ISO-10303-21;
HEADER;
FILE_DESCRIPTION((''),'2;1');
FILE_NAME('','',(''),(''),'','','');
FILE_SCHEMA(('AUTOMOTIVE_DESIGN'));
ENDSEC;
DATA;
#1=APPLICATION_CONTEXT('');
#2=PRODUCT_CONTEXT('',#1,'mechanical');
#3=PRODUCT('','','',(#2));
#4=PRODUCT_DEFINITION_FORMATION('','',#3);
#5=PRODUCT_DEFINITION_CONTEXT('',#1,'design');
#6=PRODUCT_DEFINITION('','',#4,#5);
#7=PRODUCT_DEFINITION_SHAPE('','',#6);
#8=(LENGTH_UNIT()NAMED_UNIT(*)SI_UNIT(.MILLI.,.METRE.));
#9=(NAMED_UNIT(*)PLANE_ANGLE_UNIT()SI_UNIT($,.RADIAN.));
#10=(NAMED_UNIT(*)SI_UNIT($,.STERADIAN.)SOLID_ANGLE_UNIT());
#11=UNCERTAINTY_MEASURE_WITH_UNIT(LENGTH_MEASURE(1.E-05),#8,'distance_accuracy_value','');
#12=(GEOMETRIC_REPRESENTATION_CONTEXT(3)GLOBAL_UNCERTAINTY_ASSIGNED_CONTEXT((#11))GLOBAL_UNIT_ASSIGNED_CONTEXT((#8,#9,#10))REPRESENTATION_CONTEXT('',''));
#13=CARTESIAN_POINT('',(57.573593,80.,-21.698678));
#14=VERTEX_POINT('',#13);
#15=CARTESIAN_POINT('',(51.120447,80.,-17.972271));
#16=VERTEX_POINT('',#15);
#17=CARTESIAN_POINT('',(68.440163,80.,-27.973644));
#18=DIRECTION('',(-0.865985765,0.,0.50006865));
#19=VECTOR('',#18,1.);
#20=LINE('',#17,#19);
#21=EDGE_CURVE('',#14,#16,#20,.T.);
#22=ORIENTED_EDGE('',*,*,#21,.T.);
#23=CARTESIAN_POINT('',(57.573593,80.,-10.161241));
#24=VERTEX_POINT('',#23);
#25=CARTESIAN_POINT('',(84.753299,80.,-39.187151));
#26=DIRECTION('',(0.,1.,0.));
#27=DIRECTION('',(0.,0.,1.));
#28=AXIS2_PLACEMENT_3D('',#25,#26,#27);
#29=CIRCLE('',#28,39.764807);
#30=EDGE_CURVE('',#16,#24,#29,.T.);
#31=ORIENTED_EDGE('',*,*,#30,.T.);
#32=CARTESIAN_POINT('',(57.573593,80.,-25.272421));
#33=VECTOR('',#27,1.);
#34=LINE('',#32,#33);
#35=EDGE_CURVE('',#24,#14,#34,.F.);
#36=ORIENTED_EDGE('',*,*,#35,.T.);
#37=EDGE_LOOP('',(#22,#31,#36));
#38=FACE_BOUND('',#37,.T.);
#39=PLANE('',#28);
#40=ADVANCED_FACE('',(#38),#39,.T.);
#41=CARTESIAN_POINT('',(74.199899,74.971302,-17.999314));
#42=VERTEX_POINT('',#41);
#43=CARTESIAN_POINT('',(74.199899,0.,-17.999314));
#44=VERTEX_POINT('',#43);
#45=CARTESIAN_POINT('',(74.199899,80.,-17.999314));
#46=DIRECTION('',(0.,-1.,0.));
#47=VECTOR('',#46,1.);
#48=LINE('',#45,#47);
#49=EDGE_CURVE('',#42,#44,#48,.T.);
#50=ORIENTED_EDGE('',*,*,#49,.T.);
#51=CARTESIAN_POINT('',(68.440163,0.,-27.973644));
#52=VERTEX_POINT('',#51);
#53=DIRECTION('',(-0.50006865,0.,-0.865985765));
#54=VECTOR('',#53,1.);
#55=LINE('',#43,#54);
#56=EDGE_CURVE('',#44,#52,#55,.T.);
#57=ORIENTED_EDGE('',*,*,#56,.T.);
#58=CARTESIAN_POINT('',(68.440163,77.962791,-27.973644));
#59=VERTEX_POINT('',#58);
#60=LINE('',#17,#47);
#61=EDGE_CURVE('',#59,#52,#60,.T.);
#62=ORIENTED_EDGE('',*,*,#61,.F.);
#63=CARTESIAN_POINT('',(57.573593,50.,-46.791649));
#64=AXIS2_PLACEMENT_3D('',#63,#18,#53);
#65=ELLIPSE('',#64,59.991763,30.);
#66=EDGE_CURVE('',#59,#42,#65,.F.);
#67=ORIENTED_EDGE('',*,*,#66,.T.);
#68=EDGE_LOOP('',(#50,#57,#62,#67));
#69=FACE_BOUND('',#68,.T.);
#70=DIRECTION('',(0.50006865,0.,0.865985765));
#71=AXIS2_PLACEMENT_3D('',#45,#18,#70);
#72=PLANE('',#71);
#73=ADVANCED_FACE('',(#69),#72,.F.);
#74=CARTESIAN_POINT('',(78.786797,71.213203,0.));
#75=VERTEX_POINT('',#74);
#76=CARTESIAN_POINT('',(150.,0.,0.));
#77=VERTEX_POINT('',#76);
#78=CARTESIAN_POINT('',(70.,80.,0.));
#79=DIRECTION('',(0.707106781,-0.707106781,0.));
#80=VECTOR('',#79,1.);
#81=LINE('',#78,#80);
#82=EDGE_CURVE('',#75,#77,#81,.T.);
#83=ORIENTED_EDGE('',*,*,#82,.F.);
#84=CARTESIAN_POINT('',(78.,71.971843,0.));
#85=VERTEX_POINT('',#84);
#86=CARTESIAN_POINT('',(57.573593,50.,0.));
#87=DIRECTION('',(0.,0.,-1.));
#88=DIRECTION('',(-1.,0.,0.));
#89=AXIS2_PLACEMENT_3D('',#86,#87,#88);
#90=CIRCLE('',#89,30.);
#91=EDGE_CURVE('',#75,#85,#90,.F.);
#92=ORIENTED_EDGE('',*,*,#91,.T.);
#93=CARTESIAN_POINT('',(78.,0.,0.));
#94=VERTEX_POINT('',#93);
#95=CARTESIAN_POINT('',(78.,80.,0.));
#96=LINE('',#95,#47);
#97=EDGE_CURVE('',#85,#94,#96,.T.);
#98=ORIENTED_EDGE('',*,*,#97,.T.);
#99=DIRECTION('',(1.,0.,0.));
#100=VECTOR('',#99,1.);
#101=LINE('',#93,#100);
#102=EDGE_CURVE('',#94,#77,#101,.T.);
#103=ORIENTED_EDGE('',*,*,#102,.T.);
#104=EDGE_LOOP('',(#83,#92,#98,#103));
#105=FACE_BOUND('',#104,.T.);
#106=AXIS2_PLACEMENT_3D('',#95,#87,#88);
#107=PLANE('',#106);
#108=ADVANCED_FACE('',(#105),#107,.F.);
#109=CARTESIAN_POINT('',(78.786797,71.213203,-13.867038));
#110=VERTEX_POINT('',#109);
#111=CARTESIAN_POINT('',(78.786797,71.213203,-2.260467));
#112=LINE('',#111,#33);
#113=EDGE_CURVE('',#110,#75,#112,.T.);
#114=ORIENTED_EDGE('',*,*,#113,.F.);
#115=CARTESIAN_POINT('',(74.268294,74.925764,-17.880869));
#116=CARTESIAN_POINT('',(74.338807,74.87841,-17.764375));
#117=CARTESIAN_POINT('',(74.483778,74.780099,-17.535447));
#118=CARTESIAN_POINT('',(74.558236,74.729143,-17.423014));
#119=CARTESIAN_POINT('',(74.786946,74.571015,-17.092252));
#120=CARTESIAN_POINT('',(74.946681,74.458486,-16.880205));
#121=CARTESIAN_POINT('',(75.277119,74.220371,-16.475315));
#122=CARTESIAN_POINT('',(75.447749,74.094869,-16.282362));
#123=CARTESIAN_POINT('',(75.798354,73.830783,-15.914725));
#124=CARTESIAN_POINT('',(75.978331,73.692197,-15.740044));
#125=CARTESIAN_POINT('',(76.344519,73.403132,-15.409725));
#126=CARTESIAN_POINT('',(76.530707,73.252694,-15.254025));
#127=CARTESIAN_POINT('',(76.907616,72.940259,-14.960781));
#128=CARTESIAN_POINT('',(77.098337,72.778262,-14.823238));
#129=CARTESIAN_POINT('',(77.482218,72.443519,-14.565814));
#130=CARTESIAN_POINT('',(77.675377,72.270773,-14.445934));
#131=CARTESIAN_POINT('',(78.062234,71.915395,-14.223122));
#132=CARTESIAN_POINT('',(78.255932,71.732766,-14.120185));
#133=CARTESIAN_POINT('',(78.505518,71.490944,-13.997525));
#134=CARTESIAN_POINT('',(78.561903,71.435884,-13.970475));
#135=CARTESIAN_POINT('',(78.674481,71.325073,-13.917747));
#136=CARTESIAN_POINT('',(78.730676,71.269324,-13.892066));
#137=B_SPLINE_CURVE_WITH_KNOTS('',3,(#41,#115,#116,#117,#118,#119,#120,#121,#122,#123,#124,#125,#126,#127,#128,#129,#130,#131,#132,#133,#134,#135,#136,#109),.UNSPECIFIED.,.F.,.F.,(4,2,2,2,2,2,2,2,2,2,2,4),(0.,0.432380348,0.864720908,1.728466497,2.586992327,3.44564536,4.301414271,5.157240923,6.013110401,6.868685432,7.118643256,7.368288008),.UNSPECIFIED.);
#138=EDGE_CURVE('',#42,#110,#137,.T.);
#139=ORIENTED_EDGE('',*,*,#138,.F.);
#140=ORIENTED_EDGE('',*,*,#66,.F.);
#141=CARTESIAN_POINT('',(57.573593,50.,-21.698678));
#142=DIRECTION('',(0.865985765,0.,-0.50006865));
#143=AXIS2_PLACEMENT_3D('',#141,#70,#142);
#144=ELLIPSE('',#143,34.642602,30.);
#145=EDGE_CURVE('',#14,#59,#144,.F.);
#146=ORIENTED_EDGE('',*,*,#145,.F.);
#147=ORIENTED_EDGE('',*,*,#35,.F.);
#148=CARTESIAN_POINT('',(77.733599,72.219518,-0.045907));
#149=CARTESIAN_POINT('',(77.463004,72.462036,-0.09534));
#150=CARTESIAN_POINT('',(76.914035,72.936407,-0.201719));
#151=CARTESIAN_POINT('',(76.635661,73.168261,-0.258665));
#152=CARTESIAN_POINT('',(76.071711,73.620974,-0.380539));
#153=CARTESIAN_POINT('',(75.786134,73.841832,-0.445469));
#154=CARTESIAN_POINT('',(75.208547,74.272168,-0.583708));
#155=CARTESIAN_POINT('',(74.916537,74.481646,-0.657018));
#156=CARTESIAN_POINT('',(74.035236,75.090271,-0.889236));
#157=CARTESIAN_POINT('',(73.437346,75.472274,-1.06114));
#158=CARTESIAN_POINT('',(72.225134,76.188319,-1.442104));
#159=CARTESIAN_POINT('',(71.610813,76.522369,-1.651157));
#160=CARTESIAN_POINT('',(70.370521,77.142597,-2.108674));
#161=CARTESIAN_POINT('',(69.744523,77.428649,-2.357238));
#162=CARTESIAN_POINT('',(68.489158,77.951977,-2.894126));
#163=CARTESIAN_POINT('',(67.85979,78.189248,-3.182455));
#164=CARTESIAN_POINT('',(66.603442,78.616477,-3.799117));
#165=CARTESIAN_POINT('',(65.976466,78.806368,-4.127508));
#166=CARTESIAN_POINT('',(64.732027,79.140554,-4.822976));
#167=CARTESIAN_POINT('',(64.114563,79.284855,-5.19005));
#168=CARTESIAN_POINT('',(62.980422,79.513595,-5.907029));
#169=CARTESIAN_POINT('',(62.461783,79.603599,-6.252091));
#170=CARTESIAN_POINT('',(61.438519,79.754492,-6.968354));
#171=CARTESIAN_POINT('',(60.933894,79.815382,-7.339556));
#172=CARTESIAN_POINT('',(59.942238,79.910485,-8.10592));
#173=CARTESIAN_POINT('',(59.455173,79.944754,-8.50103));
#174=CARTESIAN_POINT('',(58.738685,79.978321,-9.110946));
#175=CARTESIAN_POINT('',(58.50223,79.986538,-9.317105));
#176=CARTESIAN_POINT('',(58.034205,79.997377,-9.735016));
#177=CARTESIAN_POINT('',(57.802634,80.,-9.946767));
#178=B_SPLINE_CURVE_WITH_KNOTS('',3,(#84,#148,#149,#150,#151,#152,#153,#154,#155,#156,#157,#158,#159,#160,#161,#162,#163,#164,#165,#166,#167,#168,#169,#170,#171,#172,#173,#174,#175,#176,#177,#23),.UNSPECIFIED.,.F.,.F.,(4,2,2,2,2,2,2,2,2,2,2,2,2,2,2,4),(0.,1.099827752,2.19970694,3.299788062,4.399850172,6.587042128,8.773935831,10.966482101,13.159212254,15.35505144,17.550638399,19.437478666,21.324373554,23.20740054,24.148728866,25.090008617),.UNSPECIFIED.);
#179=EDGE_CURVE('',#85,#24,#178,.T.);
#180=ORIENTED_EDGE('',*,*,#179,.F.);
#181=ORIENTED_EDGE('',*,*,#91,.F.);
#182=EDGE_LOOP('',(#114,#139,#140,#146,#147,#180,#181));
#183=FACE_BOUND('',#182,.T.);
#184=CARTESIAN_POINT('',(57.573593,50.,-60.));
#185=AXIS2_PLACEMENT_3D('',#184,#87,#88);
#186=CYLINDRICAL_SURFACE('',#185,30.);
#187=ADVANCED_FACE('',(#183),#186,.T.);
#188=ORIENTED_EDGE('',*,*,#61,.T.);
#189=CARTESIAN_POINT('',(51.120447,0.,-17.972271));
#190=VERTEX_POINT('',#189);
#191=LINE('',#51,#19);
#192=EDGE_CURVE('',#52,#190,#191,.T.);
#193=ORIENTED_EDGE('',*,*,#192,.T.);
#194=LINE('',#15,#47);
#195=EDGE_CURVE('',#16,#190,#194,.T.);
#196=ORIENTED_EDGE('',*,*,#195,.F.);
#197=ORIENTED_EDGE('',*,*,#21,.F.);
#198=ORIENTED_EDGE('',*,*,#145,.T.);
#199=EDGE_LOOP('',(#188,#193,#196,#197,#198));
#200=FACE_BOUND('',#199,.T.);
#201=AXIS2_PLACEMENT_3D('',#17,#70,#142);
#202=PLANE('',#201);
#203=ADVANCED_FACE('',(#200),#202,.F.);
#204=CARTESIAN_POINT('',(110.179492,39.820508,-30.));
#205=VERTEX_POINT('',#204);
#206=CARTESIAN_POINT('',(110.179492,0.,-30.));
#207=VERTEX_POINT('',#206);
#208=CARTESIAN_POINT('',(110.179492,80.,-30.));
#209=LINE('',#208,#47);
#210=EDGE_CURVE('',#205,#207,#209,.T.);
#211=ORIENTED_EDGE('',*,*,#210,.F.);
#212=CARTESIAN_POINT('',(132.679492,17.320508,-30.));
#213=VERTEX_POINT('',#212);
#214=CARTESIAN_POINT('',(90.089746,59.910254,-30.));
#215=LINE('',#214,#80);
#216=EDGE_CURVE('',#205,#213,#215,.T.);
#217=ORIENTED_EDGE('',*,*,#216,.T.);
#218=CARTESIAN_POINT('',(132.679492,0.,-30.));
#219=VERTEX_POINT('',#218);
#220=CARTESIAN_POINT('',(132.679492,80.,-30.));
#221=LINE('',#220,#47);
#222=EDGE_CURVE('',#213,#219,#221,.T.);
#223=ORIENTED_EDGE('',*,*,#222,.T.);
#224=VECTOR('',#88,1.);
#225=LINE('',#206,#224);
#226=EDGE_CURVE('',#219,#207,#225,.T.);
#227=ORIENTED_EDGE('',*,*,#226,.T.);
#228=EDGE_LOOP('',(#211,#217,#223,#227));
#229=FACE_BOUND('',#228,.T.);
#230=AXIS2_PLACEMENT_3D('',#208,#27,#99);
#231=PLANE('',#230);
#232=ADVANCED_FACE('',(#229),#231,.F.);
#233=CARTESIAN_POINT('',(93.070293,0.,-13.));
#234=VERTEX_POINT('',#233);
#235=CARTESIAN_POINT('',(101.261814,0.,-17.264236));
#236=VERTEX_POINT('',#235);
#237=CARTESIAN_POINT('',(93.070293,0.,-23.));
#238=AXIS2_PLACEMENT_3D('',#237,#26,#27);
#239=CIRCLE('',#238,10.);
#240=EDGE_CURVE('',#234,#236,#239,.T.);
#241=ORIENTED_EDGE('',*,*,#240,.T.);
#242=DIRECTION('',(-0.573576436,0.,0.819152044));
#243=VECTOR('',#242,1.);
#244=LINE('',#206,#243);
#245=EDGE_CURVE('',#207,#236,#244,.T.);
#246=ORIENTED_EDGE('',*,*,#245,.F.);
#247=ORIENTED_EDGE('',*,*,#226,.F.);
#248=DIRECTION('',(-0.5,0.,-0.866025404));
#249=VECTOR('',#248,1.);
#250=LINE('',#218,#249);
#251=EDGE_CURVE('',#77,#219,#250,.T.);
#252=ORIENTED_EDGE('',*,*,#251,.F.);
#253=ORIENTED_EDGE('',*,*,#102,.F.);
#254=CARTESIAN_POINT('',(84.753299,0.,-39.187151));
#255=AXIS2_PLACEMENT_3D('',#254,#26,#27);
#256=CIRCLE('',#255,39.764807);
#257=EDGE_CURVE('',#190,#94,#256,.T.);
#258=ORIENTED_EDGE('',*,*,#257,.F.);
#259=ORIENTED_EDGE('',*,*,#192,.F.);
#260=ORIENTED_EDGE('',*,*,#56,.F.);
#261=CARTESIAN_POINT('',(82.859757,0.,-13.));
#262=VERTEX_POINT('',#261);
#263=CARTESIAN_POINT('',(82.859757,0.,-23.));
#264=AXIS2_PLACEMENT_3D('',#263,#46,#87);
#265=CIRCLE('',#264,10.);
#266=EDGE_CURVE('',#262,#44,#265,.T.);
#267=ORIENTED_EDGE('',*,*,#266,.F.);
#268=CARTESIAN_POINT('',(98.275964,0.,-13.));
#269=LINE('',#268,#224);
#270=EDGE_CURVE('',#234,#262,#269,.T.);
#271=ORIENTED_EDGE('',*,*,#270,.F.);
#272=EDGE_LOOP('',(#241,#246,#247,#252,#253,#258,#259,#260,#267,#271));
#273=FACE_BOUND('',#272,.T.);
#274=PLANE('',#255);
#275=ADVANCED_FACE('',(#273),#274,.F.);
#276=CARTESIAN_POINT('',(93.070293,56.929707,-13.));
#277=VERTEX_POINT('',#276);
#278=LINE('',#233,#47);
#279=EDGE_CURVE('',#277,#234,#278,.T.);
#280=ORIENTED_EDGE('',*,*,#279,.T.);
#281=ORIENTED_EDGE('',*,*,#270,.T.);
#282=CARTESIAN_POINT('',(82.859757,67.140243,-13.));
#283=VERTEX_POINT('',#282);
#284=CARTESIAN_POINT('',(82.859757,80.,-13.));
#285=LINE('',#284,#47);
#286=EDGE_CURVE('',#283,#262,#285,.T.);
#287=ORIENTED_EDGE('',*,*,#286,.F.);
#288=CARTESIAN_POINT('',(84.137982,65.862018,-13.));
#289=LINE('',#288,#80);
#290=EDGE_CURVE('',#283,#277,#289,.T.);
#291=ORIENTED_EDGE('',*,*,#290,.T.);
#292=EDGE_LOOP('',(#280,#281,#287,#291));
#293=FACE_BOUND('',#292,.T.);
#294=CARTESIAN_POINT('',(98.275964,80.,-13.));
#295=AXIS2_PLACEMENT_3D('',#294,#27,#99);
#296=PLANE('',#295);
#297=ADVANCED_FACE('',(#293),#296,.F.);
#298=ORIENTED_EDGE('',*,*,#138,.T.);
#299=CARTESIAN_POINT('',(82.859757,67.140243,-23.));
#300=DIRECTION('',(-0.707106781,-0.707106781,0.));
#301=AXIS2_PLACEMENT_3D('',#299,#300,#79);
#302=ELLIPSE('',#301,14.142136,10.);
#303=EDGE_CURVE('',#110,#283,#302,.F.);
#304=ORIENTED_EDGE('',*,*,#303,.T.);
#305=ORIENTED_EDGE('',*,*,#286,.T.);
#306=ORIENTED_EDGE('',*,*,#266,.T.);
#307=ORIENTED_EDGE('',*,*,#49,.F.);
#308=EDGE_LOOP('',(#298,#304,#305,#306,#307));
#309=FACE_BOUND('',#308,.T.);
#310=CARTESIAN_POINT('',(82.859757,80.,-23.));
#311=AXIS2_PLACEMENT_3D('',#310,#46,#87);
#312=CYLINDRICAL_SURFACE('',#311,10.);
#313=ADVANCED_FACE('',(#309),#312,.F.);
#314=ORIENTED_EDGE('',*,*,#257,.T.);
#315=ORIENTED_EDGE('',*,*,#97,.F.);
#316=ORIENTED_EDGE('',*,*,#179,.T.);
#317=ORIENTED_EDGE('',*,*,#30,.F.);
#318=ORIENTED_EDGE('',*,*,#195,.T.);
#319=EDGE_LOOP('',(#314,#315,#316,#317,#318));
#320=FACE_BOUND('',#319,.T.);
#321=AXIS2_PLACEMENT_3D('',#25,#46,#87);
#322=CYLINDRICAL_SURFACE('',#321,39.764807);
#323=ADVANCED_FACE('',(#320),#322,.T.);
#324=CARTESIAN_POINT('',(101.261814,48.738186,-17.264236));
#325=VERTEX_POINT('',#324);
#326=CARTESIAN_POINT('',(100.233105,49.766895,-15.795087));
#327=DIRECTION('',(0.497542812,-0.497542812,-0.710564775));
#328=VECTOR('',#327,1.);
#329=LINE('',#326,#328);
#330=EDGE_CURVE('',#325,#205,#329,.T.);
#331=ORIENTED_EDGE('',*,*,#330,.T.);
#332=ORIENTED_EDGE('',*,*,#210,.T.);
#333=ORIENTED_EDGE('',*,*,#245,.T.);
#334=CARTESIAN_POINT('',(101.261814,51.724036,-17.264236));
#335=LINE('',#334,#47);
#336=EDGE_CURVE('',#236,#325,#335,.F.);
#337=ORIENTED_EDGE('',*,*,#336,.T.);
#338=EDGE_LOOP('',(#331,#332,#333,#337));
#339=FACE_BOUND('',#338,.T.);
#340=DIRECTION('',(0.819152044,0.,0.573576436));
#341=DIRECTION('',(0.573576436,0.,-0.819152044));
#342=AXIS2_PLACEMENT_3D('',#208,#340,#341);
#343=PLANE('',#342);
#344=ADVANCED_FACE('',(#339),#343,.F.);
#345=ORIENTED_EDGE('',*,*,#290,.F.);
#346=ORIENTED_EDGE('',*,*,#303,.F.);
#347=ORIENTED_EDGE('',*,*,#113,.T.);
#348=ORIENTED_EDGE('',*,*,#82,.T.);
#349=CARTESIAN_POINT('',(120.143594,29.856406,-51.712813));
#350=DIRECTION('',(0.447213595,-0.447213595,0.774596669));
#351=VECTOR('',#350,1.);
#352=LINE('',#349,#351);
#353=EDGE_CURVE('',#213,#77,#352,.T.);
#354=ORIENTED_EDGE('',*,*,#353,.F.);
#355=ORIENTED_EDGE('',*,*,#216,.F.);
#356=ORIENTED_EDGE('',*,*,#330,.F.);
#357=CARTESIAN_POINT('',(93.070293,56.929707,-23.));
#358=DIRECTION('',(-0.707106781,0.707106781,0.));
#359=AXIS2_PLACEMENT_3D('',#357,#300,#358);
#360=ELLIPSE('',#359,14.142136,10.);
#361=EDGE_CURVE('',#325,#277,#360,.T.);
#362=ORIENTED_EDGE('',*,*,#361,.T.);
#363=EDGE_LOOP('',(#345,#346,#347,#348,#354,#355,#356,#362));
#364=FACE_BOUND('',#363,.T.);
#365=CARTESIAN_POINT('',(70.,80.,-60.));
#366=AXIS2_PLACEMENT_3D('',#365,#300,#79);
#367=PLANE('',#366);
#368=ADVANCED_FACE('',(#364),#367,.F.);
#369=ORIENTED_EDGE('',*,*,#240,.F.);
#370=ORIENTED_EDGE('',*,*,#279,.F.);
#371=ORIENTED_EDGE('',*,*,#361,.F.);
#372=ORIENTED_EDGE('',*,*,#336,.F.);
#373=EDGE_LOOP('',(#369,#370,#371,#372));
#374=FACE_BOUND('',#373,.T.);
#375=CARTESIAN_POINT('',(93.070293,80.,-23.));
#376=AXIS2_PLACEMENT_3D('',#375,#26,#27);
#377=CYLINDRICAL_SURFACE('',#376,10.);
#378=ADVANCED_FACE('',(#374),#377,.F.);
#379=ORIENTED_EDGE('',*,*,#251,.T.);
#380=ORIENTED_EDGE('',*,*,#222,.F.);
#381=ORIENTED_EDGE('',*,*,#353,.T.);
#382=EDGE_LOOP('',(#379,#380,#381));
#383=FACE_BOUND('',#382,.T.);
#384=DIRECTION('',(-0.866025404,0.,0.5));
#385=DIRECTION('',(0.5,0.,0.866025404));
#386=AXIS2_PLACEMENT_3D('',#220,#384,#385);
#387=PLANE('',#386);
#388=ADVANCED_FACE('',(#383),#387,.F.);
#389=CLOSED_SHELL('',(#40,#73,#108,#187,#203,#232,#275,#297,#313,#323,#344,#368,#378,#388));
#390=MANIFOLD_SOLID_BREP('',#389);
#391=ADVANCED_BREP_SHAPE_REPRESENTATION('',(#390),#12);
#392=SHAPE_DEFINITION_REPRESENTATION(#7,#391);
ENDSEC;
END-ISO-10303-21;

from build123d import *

# Parameters (mm, degrees)
BOSS_EXTRUDE1_DEPTH = 80
CUT_EXTRUDE1_DEPTH  = 60
FILLET1_R           = 30
FILLET3_R           = 10


with BuildPart() as part:
    # Sketch31 → Boss-Extrude1 (new body)
    with BuildSketch(Plane(origin=(0, 0, 0), x_dir=(1, 0, 0), z_dir=(0, 1, 0))):
        with BuildLine():
            Line((78, 0), (150, 0))
            Line((150, 0), (132.679491924, 30))
            Line((132.679491924, 30), (110.179491924, 30))
            Line((110.179491924, 30), (98.275963775, 13))
            Line((98.275963775, 13), (82.859757015, 13))
            ThreePointArc((82.859757015, 13), (77.860100275, 14.33954779), (74.199899362, 17.999313504))
            Line((74.199899362, 17.999313504), (68.440162758, 27.973643859))
            Line((68.440162758, 27.973643859), (51.120447452, 17.972270867))
            ThreePointArc((51.120447452, 17.972270867), (62.6510159, 6.130700387), (78, 0))
        make_face()
    extrude(amount=BOSS_EXTRUDE1_DEPTH)

    # Sketch32 → Cut-Extrude1 (cut)
    with BuildSketch(Plane.XY):
        Polygon((70, 80), (150, 0), (150, 80), align=None)
    extrude(amount=-CUT_EXTRUDE1_DEPTH, mode=Mode.SUBTRACT)

    # Fillet1
    fillet1_edges = [part.edges().sort_by_distance(p)[0] for p in [
        (70, 80, -13.766443848),
    ]]
    fillet(fillet1_edges, radius=FILLET1_R)

    # Fillet3
    fillet3_edges = [part.edges().sort_by_distance(p)[0] for p in [
        (98.275963775, 25.862018113, -13),
    ]]
    fillet(fillet3_edges, radius=FILLET3_R)


solid = part.part
